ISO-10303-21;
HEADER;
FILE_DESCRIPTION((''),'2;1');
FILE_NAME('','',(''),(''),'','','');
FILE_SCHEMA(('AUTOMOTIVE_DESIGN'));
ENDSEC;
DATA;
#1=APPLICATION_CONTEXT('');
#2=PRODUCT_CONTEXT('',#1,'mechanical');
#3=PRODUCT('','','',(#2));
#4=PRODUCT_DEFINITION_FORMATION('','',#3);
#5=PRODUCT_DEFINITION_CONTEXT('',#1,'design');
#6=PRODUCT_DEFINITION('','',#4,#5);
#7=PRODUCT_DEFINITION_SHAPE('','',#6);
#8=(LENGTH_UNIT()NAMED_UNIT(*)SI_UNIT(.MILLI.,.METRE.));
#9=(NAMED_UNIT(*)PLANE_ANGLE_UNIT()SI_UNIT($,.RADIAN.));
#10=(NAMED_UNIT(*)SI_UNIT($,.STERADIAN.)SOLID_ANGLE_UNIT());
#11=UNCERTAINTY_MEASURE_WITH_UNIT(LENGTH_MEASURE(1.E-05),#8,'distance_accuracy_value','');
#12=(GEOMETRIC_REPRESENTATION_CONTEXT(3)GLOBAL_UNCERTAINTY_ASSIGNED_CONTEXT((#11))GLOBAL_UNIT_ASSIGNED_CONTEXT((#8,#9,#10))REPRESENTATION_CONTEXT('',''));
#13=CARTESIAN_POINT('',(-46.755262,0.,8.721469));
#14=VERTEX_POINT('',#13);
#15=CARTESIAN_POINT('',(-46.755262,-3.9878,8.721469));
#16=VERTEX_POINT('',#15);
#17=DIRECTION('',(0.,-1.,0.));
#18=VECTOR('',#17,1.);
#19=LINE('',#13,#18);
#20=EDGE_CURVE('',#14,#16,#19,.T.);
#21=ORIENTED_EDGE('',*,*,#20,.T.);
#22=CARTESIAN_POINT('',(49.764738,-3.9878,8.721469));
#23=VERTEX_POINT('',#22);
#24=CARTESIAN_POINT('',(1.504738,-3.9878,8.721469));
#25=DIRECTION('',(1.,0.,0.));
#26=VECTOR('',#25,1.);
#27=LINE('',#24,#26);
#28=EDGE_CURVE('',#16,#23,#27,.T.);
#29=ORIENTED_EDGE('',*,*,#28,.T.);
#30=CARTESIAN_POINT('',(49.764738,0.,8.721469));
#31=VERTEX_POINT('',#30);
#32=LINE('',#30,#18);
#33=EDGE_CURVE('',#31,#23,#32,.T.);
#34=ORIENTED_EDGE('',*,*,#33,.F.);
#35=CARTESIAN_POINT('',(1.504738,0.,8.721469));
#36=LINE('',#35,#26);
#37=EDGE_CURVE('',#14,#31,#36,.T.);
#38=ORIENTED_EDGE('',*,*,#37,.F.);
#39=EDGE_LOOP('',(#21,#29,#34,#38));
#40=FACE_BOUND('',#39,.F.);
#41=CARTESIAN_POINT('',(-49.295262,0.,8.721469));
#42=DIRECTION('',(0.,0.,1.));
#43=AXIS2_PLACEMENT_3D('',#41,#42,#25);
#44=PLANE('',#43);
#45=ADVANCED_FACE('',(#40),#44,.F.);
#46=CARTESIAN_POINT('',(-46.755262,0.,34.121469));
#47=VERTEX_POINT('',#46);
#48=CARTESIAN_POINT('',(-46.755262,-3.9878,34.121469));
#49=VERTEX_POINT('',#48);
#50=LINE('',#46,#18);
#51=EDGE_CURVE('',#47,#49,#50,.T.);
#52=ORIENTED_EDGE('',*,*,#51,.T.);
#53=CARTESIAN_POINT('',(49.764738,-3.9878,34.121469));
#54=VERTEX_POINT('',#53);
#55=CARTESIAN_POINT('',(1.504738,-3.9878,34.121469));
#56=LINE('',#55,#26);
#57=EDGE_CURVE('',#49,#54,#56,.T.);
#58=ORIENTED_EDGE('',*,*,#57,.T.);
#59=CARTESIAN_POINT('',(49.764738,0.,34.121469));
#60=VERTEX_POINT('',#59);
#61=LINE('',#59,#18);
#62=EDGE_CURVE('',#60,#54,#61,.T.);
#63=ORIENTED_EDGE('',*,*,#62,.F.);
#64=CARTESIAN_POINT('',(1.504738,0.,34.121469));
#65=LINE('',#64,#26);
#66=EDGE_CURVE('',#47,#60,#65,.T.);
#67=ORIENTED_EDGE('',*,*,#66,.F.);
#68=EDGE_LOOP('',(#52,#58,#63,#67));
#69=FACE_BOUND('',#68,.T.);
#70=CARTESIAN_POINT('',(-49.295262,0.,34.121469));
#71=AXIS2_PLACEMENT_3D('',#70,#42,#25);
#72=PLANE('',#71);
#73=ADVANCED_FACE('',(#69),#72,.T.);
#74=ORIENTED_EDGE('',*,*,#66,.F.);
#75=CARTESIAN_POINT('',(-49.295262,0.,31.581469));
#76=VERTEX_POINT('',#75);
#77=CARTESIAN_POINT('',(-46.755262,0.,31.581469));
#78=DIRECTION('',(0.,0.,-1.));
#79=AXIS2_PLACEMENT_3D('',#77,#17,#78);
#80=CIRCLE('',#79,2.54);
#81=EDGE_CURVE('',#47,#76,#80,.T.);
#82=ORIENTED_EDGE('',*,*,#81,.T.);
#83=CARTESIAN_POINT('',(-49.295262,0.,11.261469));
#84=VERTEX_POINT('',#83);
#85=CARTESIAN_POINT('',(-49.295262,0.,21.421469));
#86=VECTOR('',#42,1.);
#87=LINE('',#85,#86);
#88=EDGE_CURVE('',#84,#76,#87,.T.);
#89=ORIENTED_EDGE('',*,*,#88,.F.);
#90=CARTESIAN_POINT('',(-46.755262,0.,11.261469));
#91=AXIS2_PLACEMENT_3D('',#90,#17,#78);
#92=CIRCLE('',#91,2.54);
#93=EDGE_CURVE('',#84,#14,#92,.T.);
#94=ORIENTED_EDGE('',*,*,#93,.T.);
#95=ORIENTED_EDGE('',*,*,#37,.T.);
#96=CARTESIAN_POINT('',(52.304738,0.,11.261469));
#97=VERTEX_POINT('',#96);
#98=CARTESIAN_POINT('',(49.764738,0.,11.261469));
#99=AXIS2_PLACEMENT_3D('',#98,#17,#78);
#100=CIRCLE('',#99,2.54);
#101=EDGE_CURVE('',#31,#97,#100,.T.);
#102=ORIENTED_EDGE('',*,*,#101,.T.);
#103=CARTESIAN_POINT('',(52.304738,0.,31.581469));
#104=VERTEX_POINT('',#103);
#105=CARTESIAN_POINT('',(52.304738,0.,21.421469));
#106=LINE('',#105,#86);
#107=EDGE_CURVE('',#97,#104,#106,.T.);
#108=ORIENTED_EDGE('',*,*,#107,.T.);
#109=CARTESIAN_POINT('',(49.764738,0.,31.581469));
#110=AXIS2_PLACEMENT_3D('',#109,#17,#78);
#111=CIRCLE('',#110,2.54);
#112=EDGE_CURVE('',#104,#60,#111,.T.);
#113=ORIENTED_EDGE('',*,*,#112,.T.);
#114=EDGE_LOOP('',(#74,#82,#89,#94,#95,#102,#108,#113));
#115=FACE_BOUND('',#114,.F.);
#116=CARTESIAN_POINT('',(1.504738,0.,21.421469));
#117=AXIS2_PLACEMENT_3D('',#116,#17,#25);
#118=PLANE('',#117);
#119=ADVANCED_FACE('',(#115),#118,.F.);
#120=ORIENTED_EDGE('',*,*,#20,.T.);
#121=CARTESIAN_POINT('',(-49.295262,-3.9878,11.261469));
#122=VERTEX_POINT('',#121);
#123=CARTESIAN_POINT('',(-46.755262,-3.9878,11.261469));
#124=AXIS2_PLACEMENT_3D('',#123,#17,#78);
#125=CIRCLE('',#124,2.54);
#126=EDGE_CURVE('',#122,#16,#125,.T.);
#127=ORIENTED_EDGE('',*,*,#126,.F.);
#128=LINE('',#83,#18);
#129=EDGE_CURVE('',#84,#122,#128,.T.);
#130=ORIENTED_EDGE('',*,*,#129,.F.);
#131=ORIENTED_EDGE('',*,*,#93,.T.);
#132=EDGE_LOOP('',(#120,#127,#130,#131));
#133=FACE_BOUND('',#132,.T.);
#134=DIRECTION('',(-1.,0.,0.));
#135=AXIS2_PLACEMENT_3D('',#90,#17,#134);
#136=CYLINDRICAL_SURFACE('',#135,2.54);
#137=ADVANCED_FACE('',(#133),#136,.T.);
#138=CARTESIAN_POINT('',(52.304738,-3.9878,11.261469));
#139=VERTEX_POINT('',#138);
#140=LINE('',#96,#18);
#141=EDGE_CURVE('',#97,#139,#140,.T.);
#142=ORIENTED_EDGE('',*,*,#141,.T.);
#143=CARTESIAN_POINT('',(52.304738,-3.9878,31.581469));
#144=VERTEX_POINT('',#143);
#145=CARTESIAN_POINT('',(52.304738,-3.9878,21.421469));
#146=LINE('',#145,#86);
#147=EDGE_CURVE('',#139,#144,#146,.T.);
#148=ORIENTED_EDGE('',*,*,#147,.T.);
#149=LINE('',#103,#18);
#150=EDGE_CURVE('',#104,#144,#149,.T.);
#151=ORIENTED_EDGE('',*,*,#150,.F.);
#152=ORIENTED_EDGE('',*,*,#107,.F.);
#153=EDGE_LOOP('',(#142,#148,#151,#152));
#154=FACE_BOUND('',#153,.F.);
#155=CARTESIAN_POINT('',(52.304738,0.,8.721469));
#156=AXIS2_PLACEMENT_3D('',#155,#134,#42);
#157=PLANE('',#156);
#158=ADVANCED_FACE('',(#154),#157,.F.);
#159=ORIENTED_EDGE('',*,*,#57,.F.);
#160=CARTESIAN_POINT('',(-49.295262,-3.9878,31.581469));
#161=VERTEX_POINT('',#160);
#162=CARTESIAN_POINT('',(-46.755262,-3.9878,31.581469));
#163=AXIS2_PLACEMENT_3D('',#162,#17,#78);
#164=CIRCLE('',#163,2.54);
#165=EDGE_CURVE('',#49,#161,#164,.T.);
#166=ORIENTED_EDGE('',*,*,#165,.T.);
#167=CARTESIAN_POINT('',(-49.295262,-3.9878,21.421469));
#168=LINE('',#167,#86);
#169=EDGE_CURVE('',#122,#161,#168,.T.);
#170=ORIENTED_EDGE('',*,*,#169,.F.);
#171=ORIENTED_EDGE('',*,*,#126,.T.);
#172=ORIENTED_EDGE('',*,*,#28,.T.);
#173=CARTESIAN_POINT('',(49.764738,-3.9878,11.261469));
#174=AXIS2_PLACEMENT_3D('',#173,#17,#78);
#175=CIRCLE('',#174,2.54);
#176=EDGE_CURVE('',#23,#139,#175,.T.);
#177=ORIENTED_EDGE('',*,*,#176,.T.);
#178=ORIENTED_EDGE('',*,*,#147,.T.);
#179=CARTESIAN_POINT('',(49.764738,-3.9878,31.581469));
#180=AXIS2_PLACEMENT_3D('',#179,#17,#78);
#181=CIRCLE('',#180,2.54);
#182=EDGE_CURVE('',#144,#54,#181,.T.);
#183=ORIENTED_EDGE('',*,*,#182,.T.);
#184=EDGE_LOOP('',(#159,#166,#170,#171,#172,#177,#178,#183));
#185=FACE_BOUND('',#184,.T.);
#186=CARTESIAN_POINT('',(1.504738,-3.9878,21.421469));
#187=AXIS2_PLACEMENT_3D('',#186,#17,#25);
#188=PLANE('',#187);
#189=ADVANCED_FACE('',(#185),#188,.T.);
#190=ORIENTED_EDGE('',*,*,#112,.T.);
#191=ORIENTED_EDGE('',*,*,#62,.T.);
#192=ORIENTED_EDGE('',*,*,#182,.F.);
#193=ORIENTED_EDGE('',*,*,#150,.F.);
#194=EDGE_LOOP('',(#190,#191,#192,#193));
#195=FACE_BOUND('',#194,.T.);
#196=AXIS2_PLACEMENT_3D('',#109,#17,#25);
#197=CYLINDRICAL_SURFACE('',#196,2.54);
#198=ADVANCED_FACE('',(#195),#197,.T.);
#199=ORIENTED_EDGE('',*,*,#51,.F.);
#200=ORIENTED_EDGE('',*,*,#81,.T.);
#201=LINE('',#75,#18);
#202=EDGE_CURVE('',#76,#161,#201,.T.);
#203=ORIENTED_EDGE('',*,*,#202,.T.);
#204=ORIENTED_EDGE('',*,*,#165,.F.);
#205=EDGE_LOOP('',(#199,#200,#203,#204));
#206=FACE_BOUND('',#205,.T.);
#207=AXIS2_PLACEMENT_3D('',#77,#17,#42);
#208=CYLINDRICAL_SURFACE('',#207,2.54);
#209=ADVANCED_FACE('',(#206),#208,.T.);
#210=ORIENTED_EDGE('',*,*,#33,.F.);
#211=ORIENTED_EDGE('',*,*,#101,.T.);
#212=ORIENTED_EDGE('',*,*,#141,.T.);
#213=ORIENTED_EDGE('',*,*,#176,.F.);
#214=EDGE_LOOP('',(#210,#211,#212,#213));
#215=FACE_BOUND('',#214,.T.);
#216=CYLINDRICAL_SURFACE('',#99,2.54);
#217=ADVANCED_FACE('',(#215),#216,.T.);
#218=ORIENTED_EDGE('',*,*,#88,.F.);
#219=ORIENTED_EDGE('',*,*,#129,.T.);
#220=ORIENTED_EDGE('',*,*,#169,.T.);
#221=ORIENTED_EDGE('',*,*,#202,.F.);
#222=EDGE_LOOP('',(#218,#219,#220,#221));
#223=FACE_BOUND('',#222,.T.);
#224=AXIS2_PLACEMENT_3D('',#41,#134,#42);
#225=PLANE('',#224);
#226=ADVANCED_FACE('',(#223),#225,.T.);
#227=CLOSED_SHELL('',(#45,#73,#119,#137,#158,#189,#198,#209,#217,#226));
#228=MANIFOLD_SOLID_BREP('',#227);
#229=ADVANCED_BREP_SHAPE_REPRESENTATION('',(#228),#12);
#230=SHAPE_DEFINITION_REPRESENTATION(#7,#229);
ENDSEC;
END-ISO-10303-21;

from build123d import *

# Parameters (mm, degrees)
F0_W          = 101.6
F0_H          = 25.4
F1_DEPTH      = 3.9878
F2_R          = 2.54
F3_R          = 2.54
F4_R          = 2.54
F5_R          = 2.54
F6_R          = 1.5875
F7_DEPTH      = 8.721469
F7_DEPTH_BACK = 3.175


with BuildPart() as f1:
    # F0 (on Front) → F1 (new body)
    with BuildSketch(Plane.XZ):
        with Locations((1.504738, 21.421469)):
            Rectangle(F0_W, F0_H)
    extrude(amount=F1_DEPTH)

    # F2
    f2_edges = [f1.edges().sort_by_distance(p)[0] for p in [
        (-49.295262, -1.9939, 8.721469),
    ]]
    fillet(f2_edges, radius=F2_R)

    # F3
    f3_edges = [f1.edges().sort_by_distance(p)[0] for p in [
        (52.304738, -1.9939, 8.721469),
    ]]
    fillet(f3_edges, radius=F3_R)

    # F4
    f4_edges = [f1.edges().sort_by_distance(p)[0] for p in [
        (52.304738, -1.9939, 34.121469),
    ]]
    fillet(f4_edges, radius=F4_R)

    # F5
    f5_edges = [f1.edges().sort_by_distance(p)[0] for p in [
        (-49.295262, -1.9939, 34.121469),
    ]]
    fillet(f5_edges, radius=F5_R)

    # F6 (on Top) → F7 (cut, two sides)
    with BuildSketch(Plane.XY) as f7_sk:
        with Locations((-44.215262, -1.9939)):
            Circle(F6_R)
        with Locations((47.224738, -1.9939)):
            Circle(F6_R)
    extrude(amount=F7_DEPTH, mode=Mode.SUBTRACT)
    extrude(f7_sk.sketch, amount=-F7_DEPTH_BACK, mode=Mode.SUBTRACT)


solid = f1.part
